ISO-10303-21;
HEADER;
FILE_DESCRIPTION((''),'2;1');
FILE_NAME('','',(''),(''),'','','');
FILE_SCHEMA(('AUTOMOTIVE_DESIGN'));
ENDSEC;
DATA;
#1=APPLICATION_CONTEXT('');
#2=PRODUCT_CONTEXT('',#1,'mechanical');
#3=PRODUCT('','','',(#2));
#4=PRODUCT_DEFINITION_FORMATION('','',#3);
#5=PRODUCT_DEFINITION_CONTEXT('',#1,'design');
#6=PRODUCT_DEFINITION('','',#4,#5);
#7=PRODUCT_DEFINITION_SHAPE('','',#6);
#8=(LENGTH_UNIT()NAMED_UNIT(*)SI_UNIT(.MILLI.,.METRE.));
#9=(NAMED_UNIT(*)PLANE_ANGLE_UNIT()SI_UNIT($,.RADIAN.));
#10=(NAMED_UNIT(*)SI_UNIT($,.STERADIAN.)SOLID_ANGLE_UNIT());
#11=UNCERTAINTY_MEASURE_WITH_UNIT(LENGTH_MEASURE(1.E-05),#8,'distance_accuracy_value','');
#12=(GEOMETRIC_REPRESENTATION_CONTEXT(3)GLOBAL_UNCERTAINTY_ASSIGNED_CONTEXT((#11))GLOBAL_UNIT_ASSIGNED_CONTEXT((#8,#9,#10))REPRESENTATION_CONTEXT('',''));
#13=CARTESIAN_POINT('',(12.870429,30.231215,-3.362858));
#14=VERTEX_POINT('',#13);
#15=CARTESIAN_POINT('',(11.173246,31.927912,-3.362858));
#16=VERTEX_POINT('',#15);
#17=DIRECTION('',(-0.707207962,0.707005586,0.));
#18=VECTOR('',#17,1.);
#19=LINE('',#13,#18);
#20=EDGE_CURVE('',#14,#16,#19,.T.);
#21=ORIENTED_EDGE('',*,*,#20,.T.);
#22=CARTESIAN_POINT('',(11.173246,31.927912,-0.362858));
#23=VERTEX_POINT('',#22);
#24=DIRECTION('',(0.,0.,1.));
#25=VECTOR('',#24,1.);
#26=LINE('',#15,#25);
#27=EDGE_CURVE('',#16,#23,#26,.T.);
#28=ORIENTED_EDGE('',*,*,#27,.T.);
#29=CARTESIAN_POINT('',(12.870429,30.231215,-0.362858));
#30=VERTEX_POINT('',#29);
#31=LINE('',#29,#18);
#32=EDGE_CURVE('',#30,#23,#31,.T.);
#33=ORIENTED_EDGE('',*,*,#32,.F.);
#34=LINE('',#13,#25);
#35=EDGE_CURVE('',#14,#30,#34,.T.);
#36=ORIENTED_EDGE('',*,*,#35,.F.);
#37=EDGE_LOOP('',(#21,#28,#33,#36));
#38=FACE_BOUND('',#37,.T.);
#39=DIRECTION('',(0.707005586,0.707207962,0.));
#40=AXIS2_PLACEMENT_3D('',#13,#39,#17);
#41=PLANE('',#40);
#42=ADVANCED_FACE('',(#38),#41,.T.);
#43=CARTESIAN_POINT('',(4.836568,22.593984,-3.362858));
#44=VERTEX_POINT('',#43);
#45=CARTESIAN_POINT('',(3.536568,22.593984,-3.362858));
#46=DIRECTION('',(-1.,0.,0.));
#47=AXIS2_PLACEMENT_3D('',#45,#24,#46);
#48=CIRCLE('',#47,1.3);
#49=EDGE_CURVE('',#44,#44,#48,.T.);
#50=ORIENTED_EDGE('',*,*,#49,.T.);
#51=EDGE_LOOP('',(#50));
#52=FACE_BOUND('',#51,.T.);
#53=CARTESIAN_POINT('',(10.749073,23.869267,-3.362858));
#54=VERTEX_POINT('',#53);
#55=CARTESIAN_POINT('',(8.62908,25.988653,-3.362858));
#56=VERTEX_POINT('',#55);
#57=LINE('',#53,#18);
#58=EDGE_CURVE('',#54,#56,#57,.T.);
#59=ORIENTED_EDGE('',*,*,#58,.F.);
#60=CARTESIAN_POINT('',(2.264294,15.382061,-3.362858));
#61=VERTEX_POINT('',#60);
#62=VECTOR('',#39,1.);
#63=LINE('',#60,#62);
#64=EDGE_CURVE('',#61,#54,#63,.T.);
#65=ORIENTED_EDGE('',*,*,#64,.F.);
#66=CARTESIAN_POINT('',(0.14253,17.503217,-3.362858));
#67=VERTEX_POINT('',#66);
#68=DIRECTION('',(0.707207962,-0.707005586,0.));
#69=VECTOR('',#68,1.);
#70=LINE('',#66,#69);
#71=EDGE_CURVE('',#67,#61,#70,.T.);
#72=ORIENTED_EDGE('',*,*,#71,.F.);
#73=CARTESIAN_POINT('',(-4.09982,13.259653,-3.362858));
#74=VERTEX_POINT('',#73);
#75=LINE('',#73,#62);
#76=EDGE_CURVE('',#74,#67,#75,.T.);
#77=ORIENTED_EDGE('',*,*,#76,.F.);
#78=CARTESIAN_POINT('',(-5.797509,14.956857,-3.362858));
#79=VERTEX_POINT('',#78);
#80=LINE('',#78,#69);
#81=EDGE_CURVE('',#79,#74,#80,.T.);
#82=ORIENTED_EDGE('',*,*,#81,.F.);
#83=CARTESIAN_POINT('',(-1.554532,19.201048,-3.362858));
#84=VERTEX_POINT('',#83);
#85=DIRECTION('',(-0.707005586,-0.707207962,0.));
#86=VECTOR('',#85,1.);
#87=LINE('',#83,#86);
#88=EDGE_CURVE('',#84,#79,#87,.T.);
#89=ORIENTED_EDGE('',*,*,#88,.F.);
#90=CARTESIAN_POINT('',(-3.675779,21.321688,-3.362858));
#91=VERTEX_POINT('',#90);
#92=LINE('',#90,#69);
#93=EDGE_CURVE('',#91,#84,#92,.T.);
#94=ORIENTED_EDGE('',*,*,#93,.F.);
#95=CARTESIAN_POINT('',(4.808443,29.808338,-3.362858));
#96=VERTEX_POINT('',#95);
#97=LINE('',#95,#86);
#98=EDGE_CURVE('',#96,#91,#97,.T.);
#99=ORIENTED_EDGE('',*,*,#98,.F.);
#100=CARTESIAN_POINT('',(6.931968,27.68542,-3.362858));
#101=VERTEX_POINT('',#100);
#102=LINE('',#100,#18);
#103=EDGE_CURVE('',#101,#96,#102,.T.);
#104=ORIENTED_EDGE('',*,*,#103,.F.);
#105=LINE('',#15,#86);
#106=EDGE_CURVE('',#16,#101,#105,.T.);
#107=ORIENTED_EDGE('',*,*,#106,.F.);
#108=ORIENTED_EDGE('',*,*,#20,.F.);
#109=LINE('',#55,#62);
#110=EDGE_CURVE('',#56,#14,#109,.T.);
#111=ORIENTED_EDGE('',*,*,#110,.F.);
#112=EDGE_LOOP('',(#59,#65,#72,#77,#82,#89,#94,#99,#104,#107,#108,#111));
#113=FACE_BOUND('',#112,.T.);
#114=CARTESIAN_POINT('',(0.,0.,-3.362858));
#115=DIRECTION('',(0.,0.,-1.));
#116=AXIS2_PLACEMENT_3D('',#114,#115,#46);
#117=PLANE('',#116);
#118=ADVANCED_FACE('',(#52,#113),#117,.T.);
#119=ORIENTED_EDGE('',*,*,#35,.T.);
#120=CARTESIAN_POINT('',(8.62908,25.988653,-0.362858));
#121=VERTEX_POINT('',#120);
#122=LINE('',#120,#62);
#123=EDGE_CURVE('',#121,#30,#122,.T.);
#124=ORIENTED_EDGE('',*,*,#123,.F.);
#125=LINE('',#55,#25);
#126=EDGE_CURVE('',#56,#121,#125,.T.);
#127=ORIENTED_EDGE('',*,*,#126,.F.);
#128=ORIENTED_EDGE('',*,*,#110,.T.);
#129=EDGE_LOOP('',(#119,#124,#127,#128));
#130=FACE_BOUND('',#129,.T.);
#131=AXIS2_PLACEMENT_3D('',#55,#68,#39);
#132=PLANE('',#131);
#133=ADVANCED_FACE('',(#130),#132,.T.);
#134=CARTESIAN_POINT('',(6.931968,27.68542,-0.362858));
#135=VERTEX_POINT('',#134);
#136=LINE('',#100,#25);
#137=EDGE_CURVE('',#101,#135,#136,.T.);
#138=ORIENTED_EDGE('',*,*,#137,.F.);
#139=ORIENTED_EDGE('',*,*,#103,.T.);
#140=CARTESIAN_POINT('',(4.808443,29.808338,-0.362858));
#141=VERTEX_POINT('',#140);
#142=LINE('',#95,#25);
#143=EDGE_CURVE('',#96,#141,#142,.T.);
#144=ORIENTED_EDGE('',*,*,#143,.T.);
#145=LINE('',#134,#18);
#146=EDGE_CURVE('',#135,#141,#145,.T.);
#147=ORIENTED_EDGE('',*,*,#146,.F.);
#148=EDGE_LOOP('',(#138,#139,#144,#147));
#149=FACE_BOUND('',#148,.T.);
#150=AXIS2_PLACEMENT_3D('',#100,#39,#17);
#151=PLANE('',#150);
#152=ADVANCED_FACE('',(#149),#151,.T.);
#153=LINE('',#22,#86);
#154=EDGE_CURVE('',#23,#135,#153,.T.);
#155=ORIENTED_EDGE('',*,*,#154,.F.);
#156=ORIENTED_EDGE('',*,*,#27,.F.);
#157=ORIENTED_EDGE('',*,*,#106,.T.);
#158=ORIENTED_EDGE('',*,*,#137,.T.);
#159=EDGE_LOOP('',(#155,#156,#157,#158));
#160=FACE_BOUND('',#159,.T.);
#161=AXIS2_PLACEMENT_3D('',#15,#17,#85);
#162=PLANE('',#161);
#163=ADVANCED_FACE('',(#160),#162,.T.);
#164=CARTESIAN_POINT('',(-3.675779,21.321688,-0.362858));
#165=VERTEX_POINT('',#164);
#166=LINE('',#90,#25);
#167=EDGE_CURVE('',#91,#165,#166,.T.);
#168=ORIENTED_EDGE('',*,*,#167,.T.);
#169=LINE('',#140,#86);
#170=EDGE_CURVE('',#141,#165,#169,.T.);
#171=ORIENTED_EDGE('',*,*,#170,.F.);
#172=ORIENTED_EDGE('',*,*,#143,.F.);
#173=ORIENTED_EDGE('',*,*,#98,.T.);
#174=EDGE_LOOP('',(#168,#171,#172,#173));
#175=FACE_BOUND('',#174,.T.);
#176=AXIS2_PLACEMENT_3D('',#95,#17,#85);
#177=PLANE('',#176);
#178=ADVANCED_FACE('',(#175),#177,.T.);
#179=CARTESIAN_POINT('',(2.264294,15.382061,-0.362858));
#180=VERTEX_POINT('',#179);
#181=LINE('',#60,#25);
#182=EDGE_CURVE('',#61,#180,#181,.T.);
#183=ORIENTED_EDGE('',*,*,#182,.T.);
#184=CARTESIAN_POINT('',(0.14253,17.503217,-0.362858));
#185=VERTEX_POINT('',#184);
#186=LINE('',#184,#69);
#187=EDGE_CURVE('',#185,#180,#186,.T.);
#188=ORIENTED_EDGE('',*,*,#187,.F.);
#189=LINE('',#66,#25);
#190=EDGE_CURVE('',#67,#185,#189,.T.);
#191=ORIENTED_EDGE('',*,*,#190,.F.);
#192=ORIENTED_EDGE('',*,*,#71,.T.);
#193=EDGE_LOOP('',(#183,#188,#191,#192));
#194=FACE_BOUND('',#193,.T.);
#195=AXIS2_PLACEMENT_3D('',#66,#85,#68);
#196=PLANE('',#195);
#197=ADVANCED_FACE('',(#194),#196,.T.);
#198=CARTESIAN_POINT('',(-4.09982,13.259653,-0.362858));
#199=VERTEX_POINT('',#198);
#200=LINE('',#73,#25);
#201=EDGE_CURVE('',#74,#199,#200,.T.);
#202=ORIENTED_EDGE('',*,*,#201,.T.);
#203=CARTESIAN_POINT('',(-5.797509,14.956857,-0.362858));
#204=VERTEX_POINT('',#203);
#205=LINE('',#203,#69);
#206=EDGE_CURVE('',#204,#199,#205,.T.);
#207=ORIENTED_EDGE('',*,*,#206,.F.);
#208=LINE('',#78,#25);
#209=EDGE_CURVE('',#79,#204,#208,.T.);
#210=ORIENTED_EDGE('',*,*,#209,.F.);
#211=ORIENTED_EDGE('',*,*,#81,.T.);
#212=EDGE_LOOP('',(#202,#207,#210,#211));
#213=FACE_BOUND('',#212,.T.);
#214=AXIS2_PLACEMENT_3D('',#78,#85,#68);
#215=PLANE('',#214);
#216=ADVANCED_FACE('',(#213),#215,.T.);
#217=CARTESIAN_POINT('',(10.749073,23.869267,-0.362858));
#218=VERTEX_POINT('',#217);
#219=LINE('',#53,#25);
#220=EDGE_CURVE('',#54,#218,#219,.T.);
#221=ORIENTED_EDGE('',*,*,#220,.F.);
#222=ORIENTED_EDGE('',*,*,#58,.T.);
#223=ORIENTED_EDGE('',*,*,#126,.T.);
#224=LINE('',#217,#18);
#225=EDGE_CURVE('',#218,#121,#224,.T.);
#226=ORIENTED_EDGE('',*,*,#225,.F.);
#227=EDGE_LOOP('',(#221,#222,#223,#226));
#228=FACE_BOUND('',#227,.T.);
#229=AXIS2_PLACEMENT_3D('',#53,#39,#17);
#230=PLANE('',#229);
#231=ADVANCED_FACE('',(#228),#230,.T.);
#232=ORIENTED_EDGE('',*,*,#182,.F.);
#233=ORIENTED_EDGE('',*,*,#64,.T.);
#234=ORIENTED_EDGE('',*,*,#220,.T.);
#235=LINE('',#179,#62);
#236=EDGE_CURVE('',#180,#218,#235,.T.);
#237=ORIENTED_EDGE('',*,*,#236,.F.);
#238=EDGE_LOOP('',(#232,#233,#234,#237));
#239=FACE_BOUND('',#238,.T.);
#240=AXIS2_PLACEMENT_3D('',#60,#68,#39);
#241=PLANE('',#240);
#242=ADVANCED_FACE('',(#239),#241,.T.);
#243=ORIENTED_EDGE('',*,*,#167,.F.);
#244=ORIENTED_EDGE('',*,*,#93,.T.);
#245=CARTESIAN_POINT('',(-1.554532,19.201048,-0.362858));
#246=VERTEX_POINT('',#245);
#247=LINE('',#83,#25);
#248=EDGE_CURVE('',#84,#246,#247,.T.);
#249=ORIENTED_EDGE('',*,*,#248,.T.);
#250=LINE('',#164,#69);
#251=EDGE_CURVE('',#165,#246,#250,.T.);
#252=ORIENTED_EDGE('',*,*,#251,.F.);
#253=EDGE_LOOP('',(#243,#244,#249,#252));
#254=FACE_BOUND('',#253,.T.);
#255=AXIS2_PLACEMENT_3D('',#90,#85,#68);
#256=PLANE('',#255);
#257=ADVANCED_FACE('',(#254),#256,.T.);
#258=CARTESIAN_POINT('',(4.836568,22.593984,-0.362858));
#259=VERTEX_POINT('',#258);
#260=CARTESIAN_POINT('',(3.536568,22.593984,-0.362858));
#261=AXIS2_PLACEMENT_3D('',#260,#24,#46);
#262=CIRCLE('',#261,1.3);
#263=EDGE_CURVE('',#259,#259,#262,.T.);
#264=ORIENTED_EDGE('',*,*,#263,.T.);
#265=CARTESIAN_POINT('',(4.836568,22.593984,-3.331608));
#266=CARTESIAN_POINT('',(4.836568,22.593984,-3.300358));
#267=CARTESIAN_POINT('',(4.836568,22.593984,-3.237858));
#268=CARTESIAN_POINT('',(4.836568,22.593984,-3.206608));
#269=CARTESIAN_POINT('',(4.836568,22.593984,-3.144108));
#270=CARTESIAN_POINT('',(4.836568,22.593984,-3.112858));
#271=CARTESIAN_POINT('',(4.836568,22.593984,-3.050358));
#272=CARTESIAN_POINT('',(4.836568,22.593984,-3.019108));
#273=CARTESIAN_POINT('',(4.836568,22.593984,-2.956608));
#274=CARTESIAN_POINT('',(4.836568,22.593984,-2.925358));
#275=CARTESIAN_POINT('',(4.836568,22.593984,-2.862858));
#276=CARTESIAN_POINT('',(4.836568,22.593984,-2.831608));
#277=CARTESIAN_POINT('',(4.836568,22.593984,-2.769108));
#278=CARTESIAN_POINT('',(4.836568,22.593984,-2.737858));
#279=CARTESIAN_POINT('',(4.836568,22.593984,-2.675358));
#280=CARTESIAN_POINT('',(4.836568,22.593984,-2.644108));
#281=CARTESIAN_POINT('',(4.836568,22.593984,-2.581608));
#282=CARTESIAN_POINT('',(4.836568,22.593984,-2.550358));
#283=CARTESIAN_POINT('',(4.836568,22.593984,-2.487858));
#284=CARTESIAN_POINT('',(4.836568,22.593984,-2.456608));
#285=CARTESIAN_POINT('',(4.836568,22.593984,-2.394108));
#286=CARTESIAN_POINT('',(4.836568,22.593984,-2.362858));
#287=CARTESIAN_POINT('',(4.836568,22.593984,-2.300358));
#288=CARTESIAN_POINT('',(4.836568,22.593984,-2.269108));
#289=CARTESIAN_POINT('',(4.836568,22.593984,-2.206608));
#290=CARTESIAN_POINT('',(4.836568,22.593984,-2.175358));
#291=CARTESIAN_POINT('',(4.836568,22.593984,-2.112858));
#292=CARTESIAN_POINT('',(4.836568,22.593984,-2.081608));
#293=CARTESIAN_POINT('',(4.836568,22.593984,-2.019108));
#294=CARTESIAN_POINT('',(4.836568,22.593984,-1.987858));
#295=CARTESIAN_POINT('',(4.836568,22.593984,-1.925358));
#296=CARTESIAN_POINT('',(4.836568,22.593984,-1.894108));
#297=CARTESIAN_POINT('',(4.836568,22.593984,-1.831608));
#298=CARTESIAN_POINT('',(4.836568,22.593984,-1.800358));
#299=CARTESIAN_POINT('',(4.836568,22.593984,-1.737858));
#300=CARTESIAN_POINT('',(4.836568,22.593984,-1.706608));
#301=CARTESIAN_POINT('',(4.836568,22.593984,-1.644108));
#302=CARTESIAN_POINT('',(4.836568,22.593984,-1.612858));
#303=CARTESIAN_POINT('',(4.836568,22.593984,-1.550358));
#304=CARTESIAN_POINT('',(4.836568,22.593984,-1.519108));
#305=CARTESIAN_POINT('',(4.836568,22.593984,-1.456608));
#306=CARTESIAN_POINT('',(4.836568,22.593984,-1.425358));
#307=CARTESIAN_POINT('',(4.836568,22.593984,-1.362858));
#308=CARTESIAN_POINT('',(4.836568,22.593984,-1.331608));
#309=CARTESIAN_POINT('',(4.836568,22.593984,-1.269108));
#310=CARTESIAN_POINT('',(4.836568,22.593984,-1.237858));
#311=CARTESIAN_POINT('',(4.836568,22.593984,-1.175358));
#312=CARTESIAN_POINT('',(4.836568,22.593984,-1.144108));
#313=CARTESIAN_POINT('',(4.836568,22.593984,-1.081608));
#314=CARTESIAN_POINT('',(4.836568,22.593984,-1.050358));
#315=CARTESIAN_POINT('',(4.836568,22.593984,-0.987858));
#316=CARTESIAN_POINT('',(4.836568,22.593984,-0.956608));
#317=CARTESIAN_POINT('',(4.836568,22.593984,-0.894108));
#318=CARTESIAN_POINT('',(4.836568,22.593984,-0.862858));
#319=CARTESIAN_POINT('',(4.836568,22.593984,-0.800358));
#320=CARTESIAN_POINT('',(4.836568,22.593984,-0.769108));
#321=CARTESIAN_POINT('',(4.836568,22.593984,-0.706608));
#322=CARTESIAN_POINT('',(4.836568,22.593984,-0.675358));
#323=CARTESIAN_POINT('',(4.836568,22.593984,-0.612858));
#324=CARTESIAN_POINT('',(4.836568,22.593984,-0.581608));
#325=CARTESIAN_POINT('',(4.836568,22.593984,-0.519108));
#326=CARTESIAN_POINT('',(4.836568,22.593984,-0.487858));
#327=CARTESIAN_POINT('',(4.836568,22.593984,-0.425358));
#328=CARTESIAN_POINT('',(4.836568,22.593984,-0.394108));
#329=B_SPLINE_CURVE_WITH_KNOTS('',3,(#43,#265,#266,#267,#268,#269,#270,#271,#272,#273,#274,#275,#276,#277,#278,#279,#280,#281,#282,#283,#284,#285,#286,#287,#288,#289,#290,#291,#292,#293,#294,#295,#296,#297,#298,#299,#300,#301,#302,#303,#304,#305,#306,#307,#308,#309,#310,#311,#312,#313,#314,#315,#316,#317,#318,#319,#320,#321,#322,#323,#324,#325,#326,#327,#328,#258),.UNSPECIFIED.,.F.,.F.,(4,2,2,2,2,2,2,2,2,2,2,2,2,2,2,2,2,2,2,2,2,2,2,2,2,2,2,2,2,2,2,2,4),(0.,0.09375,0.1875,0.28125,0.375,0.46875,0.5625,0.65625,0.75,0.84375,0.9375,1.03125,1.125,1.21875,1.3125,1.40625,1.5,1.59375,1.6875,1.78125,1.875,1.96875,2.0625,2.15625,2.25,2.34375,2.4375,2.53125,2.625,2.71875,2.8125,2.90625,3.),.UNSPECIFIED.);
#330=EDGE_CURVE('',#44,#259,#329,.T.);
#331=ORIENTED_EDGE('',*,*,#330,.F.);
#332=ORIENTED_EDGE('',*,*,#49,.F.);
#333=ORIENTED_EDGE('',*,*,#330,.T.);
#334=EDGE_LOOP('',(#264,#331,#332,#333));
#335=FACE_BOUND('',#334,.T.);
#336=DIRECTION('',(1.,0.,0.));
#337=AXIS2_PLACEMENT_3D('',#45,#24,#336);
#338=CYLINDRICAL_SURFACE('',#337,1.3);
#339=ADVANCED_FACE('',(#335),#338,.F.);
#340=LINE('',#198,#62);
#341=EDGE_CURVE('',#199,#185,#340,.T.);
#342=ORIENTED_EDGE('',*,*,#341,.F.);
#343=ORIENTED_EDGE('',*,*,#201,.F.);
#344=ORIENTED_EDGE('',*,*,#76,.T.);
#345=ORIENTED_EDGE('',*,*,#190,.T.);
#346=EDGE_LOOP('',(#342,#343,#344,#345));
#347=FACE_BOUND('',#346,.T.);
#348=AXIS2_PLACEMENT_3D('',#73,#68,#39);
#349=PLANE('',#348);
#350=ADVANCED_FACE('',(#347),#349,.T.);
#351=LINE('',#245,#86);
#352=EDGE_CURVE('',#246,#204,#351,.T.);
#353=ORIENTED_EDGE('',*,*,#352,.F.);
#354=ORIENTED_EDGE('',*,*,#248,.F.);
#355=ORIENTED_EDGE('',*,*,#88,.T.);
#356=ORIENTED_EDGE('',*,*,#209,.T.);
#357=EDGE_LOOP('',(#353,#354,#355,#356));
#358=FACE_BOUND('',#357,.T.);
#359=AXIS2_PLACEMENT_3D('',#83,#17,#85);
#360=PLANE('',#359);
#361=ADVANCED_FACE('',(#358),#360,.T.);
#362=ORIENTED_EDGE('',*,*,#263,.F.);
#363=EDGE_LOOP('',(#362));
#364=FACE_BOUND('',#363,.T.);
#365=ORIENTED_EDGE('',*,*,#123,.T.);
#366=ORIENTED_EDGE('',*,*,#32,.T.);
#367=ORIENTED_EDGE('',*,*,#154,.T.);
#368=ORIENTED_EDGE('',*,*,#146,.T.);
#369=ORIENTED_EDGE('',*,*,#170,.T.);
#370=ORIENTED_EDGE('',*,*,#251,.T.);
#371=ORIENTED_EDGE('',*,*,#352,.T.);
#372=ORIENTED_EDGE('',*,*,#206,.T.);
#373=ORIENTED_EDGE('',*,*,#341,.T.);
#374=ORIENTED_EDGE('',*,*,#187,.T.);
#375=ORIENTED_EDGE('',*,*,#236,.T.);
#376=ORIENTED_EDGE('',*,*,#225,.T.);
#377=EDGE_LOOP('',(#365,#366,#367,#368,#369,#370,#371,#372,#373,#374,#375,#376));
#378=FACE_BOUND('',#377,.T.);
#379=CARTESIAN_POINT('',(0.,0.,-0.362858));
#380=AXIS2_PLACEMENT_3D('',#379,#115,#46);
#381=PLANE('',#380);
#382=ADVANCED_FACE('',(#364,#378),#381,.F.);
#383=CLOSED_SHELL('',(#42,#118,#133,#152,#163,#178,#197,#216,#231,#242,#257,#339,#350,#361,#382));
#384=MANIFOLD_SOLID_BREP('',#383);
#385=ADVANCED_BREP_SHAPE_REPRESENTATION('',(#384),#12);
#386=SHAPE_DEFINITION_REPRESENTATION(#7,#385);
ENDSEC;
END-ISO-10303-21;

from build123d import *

# Parameters (mm, degrees)
SKETCH_1_R      = 1.3
EXTRUDE_1_DEPTH = 3


with BuildPart() as part:
    # 草图1 → 凸台-拉伸1 (new body)
    with BuildSketch(Plane.XY.offset(-0.362857667)):
        Polygon((6.931968366, 27.685420414), (4.808443123, 29.808337985), (-3.675778765, 21.321687543), (-1.554532399, 19.201048196), (-5.797509256, 14.956856814), (-4.099819599, 13.25965297), (0.142530428, 17.503217343), (2.264294404, 15.382060533), (10.749072595, 23.869267436), (8.629080401, 25.98865297), (12.870428791, 30.231215419), (11.173246227, 31.927912314), align=None)
        with Locations((3.536567574, 22.593983824)):
            Circle(SKETCH_1_R, mode=Mode.SUBTRACT)
    extrude(amount=-EXTRUDE_1_DEPTH)


solid = part.part
